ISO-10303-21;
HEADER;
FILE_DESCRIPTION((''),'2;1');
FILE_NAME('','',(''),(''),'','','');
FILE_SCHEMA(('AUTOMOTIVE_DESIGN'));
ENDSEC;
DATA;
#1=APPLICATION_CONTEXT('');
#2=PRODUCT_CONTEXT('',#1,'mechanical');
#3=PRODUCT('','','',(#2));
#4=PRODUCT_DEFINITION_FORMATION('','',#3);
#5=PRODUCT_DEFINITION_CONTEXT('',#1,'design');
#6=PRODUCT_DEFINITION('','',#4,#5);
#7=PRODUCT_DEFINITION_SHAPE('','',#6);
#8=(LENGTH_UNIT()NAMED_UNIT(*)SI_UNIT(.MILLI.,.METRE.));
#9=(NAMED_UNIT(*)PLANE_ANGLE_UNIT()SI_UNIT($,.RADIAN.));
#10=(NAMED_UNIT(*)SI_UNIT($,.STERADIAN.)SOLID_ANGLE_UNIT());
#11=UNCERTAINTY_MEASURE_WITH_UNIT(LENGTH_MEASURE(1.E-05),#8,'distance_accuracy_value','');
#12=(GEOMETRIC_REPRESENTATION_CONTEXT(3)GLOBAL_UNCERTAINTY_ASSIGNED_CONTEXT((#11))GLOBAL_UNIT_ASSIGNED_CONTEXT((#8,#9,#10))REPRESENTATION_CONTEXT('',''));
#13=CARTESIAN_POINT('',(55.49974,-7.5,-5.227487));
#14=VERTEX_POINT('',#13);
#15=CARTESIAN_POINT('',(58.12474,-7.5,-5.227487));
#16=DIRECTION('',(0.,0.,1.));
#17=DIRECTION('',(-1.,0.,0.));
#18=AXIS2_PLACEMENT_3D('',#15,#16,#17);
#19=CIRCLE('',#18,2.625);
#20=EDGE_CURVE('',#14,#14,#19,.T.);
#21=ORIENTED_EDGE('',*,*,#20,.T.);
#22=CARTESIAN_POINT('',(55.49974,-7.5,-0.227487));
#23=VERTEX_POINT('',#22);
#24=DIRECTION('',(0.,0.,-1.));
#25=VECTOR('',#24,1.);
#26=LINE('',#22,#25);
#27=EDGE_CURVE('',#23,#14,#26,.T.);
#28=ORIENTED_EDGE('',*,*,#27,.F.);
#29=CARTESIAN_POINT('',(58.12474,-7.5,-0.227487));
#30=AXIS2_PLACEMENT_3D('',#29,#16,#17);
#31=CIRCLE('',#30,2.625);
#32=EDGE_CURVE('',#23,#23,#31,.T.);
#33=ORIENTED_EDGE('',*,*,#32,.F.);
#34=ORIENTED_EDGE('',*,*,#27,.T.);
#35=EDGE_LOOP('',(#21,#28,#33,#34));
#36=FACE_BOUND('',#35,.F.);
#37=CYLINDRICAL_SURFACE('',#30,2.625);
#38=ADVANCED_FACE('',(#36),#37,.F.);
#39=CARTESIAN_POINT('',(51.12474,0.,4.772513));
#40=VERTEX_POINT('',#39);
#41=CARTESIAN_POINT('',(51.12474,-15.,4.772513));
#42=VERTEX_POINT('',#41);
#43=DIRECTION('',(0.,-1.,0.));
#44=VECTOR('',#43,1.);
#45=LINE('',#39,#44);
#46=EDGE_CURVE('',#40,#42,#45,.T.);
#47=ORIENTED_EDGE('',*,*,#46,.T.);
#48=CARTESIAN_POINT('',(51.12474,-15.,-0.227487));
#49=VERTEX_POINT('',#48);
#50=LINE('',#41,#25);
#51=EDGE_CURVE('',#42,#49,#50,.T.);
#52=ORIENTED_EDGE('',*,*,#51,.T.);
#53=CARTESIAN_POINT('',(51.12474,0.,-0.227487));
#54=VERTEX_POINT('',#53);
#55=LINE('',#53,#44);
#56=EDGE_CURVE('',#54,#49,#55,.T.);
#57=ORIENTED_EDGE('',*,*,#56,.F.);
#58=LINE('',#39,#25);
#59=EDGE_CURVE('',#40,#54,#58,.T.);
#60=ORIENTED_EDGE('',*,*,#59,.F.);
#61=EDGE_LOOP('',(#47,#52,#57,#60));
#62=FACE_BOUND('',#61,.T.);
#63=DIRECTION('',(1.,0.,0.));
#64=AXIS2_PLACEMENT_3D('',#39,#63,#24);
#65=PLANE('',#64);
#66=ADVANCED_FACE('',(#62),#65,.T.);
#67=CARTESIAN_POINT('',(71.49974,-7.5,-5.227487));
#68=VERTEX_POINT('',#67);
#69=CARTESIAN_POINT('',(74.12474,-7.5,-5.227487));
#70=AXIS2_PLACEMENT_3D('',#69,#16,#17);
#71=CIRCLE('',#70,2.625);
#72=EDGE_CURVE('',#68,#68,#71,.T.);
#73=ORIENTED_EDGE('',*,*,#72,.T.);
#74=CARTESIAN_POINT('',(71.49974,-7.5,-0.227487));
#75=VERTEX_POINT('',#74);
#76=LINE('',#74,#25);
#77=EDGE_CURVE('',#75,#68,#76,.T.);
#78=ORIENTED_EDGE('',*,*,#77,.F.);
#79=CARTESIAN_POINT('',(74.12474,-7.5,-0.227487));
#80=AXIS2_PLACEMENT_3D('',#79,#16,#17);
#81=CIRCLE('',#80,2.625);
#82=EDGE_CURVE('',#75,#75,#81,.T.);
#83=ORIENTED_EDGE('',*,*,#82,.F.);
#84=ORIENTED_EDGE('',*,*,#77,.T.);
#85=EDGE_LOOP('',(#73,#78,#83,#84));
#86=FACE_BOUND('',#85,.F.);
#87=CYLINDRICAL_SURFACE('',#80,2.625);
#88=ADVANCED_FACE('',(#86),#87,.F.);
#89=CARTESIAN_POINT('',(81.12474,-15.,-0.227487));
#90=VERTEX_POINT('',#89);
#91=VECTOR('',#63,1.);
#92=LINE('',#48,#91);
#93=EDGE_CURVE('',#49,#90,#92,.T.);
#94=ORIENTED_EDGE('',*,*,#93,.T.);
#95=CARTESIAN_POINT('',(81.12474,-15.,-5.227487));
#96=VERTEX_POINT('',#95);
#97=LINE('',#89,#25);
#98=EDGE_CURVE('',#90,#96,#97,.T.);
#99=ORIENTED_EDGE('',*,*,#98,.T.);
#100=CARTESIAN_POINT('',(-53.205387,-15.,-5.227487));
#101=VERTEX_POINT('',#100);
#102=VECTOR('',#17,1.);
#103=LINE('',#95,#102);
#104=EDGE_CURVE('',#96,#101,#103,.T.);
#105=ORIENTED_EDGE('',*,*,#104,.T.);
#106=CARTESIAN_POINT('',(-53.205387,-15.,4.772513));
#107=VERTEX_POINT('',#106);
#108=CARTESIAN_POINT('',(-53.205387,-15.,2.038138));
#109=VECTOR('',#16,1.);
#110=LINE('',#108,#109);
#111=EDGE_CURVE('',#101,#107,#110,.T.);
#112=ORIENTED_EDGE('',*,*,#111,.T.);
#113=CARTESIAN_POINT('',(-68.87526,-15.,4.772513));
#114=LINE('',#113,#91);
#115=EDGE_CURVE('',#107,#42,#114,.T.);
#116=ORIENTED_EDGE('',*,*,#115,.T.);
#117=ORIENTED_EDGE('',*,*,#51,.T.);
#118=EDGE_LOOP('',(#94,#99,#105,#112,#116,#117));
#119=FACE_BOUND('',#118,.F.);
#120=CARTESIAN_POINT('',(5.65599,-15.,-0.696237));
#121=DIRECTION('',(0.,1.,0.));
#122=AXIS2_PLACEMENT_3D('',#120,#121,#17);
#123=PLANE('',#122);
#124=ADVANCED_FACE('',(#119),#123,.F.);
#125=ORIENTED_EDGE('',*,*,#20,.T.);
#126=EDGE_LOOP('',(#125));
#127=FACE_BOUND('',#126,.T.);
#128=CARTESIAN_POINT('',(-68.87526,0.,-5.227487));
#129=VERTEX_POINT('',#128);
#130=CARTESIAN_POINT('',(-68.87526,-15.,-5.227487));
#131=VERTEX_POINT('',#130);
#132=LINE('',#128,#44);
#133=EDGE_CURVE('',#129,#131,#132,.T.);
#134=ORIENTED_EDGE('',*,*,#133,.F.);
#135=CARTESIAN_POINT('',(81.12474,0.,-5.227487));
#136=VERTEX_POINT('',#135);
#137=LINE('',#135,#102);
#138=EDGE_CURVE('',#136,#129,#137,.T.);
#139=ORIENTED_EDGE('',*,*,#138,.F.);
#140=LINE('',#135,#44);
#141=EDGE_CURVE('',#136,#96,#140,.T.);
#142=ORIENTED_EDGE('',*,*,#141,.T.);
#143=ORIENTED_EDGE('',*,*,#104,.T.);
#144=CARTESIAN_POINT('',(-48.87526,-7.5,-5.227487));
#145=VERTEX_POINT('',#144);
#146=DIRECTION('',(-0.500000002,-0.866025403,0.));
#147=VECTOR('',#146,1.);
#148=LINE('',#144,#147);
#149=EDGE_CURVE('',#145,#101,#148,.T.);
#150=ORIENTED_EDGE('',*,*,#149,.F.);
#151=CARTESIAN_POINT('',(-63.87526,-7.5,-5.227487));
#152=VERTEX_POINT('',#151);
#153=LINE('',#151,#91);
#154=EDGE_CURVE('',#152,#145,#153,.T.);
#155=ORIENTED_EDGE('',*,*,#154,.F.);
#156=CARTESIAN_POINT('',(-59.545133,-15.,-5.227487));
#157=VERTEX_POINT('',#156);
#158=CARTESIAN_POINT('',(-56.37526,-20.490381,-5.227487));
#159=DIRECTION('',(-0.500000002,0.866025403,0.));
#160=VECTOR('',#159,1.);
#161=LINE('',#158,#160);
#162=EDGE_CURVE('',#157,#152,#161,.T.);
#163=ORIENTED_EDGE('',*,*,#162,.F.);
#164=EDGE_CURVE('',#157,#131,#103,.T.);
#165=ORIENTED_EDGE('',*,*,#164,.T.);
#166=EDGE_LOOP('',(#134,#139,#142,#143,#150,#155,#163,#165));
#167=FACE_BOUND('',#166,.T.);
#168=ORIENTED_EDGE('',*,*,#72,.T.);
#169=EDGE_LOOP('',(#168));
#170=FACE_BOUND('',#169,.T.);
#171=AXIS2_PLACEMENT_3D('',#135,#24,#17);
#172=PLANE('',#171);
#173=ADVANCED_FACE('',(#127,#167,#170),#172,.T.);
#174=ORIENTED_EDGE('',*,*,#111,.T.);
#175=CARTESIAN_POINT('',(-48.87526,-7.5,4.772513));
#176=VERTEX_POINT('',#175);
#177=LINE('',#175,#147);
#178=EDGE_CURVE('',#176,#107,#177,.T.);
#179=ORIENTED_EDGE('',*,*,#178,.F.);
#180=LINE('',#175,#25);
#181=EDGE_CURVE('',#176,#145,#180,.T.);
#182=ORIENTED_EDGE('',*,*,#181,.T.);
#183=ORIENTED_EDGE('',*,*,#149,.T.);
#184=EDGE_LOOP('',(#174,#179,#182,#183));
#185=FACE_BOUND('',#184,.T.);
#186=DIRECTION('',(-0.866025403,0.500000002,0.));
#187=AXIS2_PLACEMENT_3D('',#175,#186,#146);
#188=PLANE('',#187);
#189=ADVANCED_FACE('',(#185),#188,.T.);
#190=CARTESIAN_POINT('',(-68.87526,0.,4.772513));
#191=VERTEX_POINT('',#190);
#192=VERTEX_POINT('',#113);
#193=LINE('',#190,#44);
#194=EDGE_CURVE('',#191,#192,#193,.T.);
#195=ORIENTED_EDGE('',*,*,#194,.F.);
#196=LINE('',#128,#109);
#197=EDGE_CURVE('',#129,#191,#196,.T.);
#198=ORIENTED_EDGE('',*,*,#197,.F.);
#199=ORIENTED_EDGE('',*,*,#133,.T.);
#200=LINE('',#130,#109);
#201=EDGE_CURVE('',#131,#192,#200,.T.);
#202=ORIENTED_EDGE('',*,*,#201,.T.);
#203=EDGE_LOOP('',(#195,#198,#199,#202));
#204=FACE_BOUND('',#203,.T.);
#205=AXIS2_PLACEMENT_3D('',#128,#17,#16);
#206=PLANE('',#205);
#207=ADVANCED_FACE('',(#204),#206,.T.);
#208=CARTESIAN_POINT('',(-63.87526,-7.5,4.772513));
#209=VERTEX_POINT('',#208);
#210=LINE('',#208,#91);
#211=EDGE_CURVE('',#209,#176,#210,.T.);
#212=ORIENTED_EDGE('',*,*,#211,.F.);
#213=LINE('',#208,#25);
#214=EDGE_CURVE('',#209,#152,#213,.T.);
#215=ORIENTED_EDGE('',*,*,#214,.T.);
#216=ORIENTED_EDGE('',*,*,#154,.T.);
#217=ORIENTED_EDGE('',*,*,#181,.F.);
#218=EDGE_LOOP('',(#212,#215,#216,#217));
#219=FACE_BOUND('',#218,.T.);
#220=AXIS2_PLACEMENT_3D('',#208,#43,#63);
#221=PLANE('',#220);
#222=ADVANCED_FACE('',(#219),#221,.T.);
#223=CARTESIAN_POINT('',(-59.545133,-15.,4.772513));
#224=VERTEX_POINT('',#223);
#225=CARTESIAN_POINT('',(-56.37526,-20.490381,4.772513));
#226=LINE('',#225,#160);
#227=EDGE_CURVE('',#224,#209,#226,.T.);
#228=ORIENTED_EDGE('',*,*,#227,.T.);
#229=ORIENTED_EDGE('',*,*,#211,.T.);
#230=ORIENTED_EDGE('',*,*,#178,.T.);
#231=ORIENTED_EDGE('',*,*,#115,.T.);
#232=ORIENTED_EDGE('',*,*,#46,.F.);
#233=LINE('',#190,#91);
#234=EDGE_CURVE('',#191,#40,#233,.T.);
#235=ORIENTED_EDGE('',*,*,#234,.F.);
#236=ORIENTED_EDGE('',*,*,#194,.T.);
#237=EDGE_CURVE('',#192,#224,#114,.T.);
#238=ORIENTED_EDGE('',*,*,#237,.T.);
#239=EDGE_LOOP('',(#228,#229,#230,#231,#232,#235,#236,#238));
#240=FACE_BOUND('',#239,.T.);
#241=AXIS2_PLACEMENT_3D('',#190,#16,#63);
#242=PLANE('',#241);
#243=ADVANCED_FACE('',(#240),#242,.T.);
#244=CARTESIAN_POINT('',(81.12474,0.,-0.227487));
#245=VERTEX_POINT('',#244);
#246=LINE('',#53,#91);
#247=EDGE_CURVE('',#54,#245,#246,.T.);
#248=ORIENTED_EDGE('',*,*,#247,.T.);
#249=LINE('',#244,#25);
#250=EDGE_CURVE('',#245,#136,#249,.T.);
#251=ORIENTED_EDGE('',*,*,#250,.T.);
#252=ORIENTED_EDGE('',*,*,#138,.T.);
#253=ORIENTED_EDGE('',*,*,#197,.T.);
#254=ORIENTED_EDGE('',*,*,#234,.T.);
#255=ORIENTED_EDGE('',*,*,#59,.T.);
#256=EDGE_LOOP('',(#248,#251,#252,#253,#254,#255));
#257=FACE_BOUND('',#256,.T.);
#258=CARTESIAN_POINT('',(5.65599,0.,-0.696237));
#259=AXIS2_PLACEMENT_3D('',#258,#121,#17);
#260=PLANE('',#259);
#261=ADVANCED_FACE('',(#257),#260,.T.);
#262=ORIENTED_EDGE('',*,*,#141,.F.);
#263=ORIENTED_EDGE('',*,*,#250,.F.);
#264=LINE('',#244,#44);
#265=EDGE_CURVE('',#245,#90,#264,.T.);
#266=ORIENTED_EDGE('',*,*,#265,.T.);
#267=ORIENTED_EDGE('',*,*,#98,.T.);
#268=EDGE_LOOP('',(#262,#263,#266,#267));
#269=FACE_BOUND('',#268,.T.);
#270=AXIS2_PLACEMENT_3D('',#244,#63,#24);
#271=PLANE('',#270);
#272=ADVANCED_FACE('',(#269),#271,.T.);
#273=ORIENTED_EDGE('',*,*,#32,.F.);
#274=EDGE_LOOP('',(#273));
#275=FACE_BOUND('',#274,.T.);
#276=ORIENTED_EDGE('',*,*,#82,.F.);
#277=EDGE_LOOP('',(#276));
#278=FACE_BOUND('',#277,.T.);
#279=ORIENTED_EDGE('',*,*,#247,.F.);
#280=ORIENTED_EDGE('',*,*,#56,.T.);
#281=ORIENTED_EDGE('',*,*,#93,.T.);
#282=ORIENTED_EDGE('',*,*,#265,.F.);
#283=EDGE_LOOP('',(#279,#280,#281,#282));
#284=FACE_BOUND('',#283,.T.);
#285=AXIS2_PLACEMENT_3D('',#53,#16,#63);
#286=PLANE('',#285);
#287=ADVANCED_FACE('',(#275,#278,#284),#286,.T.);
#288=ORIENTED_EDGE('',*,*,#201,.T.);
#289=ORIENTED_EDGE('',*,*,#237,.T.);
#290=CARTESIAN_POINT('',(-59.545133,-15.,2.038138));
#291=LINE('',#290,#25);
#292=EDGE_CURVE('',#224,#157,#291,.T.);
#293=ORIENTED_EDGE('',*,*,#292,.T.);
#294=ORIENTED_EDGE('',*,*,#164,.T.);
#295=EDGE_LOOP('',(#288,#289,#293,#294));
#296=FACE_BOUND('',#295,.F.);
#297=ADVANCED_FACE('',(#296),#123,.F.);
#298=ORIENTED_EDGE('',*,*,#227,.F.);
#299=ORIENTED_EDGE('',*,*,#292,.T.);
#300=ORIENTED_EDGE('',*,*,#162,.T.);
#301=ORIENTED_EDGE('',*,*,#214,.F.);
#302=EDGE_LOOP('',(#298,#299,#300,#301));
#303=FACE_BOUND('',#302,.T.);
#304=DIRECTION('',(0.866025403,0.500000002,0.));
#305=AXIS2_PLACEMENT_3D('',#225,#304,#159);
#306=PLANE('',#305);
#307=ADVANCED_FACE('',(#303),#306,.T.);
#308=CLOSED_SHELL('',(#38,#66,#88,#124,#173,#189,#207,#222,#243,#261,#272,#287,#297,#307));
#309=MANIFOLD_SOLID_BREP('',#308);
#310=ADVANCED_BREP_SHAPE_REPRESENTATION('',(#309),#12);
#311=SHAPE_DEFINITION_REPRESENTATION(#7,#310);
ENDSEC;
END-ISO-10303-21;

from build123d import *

# Parameters (mm, degrees)
PAD_DEPTH       = 15
SKETCH001_R     = 2.625
POCKET_DEPTH    = 5
POCKET001_DEPTH = 10


with BuildPart() as part:
    # Sketch → Pad (new body)
    with BuildSketch(Plane.XZ):
        Polygon((-68.87526, -5.227487), (-68.87526, 4.772513), (51.12474, 4.772513), (51.12474, -0.227487), (81.12474, -0.227487), (81.12474, -5.227487), align=None)
    extrude(amount=PAD_DEPTH)

    # Sketch001 (on Face4 of Pad) → Pocket (cut)
    with BuildSketch(Plane(origin=(0, 0, -0.227487), x_dir=(-1, 0, 0), z_dir=(0, 0, 1))):
        with Locations((-74.12474, 7.5)):
            Circle(SKETCH001_R)
        with Locations((-58.12474, 7.5)):
            Circle(SKETCH001_R)
    extrude(amount=-POCKET_DEPTH, mode=Mode.SUBTRACT)

    # Sketch002 (on Face3 of Pocket) → Pocket001 (cut)
    with BuildSketch(Plane(origin=(0, 0, 4.772513), x_dir=(-1, 0, 0), z_dir=(0, 0, 1))):
        Polygon((56.37526, 20.490381), (63.87526, 7.5), (48.87526, 7.5), align=None)
    extrude(amount=-POCKET001_DEPTH, mode=Mode.SUBTRACT)


solid = part.part
